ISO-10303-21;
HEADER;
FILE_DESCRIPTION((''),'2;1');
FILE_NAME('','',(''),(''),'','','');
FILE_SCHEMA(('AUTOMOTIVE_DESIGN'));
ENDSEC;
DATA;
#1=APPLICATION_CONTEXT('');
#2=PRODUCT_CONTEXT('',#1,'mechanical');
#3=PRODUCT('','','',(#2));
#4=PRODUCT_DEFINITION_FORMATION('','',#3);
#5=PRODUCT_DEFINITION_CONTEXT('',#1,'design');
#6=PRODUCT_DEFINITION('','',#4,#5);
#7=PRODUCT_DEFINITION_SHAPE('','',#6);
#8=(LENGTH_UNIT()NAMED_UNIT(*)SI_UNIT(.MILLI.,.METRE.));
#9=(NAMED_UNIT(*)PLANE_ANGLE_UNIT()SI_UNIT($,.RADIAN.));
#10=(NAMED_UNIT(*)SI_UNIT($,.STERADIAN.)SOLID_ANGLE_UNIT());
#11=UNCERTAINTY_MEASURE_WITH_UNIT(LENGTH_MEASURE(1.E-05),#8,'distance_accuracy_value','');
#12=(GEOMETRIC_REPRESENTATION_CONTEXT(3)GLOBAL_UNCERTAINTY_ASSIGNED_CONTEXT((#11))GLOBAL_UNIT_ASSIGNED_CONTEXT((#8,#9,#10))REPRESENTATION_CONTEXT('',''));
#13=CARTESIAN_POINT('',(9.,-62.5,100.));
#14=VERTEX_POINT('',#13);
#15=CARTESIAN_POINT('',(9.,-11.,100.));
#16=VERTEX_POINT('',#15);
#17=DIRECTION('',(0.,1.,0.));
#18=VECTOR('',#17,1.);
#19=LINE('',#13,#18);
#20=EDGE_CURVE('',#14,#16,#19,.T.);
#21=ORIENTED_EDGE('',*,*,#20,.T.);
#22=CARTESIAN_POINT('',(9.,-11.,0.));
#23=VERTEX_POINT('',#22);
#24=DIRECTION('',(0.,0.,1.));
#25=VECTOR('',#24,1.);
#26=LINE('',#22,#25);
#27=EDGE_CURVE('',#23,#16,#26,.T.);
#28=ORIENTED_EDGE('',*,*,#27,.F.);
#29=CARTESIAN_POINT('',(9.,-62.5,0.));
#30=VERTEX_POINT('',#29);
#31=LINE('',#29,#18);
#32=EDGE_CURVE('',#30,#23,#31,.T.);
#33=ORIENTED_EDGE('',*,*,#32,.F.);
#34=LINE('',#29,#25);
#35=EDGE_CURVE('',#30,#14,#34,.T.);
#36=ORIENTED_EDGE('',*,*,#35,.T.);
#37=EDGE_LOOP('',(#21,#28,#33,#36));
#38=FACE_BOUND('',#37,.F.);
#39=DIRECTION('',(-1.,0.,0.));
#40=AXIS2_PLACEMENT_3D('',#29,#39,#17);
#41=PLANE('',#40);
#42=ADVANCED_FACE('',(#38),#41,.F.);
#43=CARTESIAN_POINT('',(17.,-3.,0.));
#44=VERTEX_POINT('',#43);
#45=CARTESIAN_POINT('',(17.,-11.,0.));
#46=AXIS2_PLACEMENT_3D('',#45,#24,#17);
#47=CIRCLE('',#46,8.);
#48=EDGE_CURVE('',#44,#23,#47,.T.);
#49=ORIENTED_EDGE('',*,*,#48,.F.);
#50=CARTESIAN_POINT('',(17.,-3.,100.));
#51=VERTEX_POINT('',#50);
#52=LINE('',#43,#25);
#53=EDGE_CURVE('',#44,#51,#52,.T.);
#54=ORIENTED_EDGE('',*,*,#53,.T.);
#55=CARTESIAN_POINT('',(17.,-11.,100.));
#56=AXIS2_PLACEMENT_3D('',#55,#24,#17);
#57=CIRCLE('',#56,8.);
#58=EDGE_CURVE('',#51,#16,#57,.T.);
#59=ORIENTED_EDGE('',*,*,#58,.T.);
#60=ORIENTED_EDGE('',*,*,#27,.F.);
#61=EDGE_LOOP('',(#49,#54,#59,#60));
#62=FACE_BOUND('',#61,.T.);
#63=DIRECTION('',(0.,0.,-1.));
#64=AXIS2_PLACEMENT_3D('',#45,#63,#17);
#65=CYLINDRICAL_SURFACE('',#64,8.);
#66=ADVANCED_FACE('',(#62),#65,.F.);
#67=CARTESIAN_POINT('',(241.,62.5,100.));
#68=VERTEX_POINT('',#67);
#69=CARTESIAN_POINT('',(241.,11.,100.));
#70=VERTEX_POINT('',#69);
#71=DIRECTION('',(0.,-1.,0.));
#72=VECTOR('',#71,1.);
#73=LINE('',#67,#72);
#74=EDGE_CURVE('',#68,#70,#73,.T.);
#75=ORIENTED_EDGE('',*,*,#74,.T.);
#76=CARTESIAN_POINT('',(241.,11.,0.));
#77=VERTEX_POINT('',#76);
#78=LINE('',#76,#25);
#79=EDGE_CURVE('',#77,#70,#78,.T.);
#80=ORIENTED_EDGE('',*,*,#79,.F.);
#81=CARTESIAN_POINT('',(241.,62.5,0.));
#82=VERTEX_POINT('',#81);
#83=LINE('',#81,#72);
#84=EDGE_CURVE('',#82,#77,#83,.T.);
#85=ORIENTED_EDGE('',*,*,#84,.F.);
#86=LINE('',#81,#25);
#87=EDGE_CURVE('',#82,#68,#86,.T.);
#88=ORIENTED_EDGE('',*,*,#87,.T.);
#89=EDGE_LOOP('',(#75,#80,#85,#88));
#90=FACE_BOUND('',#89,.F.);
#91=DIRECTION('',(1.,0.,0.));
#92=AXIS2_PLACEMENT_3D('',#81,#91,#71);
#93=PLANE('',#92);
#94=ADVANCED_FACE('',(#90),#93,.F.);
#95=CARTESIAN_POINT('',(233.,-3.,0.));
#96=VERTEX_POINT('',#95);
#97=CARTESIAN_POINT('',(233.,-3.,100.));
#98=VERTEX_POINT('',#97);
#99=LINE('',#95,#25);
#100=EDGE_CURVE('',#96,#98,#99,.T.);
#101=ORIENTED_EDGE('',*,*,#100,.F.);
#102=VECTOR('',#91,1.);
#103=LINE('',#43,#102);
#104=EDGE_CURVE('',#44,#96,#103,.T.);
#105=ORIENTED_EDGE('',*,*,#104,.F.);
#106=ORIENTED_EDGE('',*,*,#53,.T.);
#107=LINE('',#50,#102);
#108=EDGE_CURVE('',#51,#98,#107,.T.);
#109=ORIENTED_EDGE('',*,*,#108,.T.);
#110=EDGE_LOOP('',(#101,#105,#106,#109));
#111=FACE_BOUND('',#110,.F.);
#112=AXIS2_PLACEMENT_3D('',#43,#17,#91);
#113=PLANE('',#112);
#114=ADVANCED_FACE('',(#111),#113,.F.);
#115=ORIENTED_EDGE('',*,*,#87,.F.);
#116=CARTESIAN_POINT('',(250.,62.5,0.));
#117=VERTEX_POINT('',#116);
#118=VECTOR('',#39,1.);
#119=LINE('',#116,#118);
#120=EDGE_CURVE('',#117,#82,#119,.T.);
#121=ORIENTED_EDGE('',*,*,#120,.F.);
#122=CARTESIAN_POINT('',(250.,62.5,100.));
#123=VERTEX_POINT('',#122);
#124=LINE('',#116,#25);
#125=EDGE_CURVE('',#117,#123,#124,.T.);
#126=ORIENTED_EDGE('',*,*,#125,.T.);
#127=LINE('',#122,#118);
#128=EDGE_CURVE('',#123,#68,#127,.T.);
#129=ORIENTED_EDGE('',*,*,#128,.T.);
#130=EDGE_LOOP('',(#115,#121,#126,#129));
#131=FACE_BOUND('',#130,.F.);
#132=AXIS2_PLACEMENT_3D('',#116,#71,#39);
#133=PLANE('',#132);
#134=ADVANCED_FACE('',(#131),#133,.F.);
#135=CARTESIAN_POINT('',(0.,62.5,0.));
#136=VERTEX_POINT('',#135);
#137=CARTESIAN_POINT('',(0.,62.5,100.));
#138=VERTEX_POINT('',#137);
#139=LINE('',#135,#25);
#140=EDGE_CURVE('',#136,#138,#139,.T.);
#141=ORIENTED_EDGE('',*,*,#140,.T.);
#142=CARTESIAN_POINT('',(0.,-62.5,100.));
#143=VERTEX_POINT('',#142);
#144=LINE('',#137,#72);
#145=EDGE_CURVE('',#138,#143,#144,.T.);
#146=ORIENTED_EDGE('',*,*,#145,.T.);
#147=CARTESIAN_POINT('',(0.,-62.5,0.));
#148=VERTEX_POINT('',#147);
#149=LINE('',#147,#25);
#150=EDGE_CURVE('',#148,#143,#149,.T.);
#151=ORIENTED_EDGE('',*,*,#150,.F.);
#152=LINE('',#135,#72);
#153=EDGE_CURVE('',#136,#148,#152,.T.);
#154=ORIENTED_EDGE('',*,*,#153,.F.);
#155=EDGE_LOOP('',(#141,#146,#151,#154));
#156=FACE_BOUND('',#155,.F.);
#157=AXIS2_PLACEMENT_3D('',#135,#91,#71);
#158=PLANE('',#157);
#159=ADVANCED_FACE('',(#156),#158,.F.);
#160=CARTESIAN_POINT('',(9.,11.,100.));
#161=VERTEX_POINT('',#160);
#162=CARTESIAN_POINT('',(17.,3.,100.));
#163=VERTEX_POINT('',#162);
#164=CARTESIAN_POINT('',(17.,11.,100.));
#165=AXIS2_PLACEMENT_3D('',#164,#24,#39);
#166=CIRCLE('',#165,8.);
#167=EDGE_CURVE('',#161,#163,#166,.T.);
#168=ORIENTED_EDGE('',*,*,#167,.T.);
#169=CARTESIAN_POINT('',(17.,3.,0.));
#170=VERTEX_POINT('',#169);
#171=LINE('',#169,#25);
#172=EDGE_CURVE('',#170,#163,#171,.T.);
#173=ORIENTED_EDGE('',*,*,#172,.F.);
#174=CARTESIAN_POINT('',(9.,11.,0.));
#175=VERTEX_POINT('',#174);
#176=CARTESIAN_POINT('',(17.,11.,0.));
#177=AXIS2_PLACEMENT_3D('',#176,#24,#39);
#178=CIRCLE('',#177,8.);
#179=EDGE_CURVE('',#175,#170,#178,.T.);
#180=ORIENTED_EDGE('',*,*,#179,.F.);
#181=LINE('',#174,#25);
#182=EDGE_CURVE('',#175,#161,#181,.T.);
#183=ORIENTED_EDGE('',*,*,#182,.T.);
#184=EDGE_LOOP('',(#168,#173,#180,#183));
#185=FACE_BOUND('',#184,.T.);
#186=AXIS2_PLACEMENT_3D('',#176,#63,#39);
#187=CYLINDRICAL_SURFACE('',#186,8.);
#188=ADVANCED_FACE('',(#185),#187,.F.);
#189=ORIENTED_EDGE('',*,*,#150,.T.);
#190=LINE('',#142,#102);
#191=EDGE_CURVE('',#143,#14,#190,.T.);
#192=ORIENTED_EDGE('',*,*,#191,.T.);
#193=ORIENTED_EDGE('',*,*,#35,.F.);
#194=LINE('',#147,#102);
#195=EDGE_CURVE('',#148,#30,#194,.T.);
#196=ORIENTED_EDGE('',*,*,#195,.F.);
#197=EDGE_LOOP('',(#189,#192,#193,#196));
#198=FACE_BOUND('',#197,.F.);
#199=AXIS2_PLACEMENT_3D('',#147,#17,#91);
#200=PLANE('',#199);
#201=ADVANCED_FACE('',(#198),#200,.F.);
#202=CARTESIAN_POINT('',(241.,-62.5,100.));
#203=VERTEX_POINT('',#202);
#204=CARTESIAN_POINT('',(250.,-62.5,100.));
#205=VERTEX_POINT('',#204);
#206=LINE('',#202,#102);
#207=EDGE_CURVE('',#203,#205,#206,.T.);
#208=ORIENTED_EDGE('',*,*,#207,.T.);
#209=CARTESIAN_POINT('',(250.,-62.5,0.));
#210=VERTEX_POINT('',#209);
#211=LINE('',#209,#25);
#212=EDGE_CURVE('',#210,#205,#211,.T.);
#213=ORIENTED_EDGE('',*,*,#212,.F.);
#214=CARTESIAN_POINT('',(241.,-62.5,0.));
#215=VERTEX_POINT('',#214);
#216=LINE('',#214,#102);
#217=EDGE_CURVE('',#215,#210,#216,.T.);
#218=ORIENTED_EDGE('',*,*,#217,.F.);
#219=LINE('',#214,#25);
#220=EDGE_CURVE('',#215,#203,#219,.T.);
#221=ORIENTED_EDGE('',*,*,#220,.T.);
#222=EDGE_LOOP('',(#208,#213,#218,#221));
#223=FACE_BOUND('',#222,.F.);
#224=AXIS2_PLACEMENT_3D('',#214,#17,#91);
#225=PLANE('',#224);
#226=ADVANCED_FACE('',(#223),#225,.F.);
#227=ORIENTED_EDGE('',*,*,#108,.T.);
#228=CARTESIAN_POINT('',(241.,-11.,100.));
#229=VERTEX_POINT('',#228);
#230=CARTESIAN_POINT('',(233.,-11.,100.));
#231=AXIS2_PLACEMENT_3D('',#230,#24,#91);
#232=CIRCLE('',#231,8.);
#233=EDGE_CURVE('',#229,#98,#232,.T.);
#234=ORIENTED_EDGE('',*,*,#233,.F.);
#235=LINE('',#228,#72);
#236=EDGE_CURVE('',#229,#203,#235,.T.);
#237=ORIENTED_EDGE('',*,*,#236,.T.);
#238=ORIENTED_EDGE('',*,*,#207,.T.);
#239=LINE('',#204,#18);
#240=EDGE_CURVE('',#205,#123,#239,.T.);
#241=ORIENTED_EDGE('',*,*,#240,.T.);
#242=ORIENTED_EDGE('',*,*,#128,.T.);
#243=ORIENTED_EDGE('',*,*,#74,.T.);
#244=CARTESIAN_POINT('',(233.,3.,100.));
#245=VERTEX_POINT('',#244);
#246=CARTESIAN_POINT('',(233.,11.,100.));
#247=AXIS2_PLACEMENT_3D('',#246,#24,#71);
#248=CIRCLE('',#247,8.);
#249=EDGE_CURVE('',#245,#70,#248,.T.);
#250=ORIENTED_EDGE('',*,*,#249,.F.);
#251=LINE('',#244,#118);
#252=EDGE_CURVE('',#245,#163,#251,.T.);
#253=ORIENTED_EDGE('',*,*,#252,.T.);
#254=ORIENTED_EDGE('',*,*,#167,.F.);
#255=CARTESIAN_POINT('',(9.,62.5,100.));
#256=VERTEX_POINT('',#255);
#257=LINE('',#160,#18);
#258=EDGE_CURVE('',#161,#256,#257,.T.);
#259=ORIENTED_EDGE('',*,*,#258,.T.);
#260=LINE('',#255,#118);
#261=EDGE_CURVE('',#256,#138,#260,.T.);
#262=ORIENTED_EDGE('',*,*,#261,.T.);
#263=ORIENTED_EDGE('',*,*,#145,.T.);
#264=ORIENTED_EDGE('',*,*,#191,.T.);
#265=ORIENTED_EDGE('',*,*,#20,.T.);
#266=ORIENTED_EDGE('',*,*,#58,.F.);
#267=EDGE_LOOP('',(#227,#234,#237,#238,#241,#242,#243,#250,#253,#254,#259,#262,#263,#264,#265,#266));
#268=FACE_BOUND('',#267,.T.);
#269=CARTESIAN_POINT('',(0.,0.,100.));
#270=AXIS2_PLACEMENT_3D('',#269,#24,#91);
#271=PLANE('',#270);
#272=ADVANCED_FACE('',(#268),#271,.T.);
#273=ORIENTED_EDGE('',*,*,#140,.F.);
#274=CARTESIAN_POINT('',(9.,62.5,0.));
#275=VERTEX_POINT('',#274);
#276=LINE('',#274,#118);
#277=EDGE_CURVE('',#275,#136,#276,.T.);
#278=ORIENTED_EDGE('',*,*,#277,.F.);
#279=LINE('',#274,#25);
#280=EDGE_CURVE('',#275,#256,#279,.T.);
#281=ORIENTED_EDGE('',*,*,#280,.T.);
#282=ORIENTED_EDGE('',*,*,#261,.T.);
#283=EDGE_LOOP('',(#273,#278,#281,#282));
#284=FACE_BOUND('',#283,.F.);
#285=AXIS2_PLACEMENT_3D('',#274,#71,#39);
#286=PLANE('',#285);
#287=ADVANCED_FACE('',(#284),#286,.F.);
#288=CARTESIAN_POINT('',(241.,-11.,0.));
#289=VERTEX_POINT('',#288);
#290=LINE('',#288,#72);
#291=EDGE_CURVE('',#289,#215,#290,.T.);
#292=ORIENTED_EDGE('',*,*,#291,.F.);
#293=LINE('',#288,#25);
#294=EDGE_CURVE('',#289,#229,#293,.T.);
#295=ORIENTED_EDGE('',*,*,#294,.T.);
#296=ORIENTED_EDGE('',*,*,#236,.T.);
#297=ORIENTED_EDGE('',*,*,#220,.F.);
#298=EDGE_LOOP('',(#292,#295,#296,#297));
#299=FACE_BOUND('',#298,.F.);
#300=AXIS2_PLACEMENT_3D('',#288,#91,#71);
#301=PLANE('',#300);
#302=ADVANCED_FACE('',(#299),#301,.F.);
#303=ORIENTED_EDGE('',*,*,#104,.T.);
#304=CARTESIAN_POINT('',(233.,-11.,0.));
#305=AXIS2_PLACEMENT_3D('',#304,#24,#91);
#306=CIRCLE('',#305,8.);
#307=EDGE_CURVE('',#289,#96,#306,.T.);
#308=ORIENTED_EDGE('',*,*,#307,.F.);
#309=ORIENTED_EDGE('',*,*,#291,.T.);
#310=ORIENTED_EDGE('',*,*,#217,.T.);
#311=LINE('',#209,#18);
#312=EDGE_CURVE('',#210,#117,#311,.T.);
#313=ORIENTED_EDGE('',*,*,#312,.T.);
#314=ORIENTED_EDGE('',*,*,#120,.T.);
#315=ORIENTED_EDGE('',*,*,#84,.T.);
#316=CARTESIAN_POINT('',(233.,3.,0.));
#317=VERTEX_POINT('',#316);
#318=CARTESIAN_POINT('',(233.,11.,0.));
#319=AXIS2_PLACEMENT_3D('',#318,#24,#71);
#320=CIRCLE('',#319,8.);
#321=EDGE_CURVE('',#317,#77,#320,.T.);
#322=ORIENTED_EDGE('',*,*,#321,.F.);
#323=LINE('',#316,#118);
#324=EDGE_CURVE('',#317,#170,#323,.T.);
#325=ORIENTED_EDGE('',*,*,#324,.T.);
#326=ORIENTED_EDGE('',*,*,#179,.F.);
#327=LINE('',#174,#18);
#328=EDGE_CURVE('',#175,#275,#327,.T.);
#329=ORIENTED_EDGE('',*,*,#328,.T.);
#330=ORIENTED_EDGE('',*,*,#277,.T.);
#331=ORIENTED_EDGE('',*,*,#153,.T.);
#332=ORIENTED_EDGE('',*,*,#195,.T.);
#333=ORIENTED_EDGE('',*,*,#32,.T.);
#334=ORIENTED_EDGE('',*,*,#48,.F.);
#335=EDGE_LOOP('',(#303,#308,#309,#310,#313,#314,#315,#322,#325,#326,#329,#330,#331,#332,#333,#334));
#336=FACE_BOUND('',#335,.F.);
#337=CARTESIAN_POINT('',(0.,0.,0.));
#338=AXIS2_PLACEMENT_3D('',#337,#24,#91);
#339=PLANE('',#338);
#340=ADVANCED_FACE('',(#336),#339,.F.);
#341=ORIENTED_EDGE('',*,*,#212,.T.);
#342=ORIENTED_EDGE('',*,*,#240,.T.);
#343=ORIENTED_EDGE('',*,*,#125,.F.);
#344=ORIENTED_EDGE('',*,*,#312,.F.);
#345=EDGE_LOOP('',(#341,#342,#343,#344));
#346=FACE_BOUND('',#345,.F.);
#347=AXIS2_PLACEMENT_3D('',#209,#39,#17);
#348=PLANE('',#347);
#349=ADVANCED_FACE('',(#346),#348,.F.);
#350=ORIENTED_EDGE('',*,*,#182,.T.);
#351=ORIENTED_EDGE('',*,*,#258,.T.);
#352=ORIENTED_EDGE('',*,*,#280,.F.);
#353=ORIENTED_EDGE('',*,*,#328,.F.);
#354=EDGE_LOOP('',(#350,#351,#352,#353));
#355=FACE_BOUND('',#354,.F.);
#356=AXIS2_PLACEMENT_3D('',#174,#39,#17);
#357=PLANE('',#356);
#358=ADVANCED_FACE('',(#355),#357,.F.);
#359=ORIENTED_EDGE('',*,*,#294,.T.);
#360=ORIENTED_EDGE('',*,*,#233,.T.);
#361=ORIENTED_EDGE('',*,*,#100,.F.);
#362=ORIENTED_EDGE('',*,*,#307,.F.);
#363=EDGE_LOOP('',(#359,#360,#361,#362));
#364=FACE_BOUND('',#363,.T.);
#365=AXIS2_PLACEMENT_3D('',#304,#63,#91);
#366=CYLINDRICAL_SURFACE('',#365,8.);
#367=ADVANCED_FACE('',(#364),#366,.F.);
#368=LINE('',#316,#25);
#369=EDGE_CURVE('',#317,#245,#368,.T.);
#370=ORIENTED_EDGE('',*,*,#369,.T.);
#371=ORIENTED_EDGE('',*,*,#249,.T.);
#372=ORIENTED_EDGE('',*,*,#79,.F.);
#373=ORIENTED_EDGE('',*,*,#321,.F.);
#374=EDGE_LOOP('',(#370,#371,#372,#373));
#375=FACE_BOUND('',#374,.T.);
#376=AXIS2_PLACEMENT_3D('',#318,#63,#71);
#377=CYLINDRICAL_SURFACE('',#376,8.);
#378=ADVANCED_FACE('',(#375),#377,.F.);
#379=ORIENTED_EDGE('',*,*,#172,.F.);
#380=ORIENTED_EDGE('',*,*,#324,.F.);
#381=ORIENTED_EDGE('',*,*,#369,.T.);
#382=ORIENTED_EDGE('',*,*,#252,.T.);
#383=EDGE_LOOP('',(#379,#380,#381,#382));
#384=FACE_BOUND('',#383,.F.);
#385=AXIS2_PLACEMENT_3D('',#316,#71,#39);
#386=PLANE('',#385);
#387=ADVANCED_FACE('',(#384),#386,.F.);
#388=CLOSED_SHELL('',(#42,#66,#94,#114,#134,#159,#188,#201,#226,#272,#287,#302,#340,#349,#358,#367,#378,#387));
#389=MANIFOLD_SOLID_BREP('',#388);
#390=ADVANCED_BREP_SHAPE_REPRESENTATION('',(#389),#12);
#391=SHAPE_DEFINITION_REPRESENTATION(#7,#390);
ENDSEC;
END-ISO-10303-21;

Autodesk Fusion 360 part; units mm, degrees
sketch "スケッチ1" plane through (0, 0, 0) normal (0, 0, 1) x (1, 0, 0)
  line L0 (0, 62.5) -> (0, -62.5)
  line L1 (9, 11) -> (9, 62.5)
  line L2 (241, 62.5) -> (241, 11)
  line L3 (250, -62.5) -> (250, 62.5)
  line L4 (233, 3) -> (17, 3)
  line L5 (17, -3) -> (233, -3)
  line L6 (9, -62.5) -> (9, -11)
  line L7 (0, -62.5) -> (9, -62.5)
  line L8 (241, -11) -> (241, -62.5)
  line L9 (241, -62.5) -> (250, -62.5)
  line L10 (9, 62.5) -> (0, 62.5)
  line L11 (250, 62.5) -> (241, 62.5)
  arc A0 (9, 11) -> (17, 3) centre (17, 11) ccw
  arc A1 (17, -3) -> (9, -11) centre (17, -11) ccw
  arc A2 (241, -11) -> (233, -3) centre (233, -11) ccw
  arc A3 (233, 3) -> (241, 11) centre (233, 11) ccw
extrude "押し出し1" add sketch "スケッチ1" along normal blind 100
